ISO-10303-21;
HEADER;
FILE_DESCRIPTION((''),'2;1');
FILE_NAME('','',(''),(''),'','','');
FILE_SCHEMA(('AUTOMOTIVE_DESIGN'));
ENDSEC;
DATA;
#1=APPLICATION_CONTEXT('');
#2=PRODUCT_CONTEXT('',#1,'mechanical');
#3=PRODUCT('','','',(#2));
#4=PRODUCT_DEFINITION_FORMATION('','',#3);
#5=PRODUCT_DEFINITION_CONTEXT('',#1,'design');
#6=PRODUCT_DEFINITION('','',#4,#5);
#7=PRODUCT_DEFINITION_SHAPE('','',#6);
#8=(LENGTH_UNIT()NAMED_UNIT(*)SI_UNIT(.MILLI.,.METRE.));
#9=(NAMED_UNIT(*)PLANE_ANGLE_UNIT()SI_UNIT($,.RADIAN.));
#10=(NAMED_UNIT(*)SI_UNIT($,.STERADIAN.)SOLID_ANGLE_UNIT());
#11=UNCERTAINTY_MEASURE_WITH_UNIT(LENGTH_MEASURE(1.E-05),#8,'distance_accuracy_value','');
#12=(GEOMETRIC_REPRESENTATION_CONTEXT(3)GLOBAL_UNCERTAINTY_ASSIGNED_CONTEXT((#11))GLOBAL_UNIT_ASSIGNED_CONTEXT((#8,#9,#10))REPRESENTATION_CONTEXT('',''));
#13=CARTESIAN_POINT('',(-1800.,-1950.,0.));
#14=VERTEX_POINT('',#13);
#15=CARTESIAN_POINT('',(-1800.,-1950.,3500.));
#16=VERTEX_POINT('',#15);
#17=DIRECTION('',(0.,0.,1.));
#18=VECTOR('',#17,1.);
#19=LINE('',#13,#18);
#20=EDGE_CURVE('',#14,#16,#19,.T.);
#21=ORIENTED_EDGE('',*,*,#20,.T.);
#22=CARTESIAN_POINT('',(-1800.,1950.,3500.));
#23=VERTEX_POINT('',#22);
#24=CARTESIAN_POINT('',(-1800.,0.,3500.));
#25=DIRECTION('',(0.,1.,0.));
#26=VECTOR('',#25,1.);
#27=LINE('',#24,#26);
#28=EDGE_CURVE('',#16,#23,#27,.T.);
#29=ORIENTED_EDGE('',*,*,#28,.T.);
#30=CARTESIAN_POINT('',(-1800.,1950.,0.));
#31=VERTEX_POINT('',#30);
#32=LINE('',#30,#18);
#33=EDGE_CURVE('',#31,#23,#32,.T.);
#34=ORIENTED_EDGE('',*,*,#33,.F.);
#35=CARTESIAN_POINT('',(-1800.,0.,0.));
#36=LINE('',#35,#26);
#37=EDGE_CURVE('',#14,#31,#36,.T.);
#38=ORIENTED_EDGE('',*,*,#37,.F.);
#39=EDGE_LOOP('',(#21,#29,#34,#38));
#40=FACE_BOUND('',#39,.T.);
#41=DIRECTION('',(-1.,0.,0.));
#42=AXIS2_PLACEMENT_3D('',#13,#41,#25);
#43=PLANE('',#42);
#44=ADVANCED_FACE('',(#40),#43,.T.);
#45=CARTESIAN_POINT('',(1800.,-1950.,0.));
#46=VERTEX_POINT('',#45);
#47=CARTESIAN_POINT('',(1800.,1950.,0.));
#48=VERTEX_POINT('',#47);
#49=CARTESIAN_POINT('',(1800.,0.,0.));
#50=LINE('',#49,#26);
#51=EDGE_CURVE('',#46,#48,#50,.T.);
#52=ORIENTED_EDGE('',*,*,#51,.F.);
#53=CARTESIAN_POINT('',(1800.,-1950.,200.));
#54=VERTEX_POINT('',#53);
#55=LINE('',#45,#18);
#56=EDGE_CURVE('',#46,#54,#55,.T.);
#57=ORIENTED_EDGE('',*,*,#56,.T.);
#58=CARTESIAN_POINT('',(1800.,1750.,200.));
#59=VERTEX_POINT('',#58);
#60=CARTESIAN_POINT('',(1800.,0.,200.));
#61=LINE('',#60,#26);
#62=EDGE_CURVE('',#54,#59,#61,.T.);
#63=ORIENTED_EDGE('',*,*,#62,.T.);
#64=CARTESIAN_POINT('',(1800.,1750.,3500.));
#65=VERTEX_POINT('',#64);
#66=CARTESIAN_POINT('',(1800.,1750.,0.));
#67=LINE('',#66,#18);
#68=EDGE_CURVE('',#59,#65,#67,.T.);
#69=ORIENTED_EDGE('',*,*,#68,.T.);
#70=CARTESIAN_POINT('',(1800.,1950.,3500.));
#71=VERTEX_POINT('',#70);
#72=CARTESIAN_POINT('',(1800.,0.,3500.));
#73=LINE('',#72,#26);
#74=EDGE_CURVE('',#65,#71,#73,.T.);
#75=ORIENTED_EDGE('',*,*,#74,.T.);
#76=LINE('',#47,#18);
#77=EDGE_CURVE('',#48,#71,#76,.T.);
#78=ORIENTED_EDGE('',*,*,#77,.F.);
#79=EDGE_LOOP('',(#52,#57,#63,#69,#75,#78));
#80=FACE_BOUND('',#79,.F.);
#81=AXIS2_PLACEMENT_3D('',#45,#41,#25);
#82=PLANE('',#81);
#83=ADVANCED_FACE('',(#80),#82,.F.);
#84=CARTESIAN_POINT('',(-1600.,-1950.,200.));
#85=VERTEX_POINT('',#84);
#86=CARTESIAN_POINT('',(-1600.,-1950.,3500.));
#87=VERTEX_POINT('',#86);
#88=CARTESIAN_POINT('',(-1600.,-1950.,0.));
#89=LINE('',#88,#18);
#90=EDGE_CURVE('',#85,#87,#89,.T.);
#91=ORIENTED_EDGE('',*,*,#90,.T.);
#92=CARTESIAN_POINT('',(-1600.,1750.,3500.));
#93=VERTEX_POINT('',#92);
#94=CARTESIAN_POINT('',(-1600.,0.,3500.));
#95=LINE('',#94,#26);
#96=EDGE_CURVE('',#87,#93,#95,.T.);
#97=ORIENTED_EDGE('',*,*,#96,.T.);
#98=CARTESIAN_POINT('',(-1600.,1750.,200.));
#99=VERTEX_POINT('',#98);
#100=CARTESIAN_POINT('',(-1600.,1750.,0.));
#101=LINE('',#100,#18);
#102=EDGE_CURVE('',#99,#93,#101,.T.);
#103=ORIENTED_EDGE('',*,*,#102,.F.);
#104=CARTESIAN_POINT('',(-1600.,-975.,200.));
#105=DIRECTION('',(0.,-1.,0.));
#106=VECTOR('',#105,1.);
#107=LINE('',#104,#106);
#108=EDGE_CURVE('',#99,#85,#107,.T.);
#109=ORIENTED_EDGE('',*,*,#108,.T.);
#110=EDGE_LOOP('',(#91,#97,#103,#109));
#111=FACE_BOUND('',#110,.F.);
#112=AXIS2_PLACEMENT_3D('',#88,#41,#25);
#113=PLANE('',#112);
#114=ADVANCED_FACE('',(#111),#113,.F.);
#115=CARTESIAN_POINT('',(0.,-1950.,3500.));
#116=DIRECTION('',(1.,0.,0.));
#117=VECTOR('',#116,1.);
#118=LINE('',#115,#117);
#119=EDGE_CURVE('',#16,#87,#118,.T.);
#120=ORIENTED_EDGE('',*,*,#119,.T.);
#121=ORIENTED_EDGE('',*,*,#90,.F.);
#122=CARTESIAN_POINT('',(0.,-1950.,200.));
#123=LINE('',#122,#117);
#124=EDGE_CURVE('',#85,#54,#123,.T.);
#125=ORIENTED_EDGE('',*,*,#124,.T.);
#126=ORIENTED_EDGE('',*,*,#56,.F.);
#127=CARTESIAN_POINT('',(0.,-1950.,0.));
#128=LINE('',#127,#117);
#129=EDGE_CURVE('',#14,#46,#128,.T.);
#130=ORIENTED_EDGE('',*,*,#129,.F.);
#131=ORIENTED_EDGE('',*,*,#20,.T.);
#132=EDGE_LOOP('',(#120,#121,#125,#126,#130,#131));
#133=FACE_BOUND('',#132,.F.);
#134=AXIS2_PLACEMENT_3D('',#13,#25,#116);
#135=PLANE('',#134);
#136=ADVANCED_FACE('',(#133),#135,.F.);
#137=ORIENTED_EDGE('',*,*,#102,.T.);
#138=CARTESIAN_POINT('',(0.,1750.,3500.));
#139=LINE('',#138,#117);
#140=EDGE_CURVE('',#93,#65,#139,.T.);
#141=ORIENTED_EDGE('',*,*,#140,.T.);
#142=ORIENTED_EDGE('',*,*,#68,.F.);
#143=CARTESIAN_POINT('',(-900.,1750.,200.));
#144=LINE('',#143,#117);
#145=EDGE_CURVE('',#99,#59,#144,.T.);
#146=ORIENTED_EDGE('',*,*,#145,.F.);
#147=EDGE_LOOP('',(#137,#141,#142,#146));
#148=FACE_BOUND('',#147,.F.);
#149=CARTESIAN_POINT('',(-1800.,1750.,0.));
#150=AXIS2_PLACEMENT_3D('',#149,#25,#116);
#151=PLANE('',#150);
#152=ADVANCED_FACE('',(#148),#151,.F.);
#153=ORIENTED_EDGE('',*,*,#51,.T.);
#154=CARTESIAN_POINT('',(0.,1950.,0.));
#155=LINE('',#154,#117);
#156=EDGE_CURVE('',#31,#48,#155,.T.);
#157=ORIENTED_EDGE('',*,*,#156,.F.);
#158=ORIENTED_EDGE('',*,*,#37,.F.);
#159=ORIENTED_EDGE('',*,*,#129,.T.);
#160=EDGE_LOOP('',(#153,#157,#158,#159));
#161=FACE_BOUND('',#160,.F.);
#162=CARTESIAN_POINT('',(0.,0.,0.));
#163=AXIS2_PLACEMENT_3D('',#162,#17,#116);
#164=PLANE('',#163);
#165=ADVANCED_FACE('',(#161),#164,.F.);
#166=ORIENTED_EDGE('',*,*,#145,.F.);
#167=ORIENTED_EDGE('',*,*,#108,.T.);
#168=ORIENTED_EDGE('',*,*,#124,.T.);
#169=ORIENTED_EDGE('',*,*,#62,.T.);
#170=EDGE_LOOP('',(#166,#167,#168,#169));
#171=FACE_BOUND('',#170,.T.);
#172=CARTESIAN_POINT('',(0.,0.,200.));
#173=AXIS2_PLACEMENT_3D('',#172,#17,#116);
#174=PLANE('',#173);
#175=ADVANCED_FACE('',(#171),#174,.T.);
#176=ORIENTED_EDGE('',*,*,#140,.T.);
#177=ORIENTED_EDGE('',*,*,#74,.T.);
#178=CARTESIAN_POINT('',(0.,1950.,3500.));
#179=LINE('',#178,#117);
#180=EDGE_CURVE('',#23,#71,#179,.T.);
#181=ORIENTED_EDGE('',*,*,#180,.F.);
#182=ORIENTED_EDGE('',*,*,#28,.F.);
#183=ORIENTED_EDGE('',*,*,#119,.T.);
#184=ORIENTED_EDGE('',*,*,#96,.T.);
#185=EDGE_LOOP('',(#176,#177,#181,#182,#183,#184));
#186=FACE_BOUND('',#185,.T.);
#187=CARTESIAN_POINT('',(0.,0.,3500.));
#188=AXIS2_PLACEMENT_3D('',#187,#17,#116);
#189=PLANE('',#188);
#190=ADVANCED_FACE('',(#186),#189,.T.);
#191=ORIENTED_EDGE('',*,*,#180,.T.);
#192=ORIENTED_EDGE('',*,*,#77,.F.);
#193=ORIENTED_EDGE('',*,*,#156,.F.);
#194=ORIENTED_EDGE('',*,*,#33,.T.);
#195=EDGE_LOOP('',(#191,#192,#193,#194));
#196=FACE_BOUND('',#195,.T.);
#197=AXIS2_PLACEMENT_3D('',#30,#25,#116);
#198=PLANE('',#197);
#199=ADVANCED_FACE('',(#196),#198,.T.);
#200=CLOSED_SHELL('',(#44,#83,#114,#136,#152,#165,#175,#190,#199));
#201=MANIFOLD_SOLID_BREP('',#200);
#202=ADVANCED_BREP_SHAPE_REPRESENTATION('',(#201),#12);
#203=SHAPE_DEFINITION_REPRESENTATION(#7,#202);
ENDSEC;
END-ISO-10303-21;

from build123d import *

# Parameters (mm, degrees)
F0_W     = 3600
F0_H     = 3900
F1_DEPTH = 3500
F2_T     = -200


with BuildPart() as f1:
    # F0 (on Top) → F1 (new body)
    with BuildSketch(Plane.XY):
        Rectangle(F0_W, F0_H)
    extrude(amount=F1_DEPTH)

    # F2
    f2_openings = [f1.faces().sort_by_distance(p)[0] for p in [
        (0, 0, 3500),
        (1800, 0, 1750),
        (0, -1950, 1750),
    ]]
    offset(amount=F2_T, openings=f2_openings)


solid = f1.part
